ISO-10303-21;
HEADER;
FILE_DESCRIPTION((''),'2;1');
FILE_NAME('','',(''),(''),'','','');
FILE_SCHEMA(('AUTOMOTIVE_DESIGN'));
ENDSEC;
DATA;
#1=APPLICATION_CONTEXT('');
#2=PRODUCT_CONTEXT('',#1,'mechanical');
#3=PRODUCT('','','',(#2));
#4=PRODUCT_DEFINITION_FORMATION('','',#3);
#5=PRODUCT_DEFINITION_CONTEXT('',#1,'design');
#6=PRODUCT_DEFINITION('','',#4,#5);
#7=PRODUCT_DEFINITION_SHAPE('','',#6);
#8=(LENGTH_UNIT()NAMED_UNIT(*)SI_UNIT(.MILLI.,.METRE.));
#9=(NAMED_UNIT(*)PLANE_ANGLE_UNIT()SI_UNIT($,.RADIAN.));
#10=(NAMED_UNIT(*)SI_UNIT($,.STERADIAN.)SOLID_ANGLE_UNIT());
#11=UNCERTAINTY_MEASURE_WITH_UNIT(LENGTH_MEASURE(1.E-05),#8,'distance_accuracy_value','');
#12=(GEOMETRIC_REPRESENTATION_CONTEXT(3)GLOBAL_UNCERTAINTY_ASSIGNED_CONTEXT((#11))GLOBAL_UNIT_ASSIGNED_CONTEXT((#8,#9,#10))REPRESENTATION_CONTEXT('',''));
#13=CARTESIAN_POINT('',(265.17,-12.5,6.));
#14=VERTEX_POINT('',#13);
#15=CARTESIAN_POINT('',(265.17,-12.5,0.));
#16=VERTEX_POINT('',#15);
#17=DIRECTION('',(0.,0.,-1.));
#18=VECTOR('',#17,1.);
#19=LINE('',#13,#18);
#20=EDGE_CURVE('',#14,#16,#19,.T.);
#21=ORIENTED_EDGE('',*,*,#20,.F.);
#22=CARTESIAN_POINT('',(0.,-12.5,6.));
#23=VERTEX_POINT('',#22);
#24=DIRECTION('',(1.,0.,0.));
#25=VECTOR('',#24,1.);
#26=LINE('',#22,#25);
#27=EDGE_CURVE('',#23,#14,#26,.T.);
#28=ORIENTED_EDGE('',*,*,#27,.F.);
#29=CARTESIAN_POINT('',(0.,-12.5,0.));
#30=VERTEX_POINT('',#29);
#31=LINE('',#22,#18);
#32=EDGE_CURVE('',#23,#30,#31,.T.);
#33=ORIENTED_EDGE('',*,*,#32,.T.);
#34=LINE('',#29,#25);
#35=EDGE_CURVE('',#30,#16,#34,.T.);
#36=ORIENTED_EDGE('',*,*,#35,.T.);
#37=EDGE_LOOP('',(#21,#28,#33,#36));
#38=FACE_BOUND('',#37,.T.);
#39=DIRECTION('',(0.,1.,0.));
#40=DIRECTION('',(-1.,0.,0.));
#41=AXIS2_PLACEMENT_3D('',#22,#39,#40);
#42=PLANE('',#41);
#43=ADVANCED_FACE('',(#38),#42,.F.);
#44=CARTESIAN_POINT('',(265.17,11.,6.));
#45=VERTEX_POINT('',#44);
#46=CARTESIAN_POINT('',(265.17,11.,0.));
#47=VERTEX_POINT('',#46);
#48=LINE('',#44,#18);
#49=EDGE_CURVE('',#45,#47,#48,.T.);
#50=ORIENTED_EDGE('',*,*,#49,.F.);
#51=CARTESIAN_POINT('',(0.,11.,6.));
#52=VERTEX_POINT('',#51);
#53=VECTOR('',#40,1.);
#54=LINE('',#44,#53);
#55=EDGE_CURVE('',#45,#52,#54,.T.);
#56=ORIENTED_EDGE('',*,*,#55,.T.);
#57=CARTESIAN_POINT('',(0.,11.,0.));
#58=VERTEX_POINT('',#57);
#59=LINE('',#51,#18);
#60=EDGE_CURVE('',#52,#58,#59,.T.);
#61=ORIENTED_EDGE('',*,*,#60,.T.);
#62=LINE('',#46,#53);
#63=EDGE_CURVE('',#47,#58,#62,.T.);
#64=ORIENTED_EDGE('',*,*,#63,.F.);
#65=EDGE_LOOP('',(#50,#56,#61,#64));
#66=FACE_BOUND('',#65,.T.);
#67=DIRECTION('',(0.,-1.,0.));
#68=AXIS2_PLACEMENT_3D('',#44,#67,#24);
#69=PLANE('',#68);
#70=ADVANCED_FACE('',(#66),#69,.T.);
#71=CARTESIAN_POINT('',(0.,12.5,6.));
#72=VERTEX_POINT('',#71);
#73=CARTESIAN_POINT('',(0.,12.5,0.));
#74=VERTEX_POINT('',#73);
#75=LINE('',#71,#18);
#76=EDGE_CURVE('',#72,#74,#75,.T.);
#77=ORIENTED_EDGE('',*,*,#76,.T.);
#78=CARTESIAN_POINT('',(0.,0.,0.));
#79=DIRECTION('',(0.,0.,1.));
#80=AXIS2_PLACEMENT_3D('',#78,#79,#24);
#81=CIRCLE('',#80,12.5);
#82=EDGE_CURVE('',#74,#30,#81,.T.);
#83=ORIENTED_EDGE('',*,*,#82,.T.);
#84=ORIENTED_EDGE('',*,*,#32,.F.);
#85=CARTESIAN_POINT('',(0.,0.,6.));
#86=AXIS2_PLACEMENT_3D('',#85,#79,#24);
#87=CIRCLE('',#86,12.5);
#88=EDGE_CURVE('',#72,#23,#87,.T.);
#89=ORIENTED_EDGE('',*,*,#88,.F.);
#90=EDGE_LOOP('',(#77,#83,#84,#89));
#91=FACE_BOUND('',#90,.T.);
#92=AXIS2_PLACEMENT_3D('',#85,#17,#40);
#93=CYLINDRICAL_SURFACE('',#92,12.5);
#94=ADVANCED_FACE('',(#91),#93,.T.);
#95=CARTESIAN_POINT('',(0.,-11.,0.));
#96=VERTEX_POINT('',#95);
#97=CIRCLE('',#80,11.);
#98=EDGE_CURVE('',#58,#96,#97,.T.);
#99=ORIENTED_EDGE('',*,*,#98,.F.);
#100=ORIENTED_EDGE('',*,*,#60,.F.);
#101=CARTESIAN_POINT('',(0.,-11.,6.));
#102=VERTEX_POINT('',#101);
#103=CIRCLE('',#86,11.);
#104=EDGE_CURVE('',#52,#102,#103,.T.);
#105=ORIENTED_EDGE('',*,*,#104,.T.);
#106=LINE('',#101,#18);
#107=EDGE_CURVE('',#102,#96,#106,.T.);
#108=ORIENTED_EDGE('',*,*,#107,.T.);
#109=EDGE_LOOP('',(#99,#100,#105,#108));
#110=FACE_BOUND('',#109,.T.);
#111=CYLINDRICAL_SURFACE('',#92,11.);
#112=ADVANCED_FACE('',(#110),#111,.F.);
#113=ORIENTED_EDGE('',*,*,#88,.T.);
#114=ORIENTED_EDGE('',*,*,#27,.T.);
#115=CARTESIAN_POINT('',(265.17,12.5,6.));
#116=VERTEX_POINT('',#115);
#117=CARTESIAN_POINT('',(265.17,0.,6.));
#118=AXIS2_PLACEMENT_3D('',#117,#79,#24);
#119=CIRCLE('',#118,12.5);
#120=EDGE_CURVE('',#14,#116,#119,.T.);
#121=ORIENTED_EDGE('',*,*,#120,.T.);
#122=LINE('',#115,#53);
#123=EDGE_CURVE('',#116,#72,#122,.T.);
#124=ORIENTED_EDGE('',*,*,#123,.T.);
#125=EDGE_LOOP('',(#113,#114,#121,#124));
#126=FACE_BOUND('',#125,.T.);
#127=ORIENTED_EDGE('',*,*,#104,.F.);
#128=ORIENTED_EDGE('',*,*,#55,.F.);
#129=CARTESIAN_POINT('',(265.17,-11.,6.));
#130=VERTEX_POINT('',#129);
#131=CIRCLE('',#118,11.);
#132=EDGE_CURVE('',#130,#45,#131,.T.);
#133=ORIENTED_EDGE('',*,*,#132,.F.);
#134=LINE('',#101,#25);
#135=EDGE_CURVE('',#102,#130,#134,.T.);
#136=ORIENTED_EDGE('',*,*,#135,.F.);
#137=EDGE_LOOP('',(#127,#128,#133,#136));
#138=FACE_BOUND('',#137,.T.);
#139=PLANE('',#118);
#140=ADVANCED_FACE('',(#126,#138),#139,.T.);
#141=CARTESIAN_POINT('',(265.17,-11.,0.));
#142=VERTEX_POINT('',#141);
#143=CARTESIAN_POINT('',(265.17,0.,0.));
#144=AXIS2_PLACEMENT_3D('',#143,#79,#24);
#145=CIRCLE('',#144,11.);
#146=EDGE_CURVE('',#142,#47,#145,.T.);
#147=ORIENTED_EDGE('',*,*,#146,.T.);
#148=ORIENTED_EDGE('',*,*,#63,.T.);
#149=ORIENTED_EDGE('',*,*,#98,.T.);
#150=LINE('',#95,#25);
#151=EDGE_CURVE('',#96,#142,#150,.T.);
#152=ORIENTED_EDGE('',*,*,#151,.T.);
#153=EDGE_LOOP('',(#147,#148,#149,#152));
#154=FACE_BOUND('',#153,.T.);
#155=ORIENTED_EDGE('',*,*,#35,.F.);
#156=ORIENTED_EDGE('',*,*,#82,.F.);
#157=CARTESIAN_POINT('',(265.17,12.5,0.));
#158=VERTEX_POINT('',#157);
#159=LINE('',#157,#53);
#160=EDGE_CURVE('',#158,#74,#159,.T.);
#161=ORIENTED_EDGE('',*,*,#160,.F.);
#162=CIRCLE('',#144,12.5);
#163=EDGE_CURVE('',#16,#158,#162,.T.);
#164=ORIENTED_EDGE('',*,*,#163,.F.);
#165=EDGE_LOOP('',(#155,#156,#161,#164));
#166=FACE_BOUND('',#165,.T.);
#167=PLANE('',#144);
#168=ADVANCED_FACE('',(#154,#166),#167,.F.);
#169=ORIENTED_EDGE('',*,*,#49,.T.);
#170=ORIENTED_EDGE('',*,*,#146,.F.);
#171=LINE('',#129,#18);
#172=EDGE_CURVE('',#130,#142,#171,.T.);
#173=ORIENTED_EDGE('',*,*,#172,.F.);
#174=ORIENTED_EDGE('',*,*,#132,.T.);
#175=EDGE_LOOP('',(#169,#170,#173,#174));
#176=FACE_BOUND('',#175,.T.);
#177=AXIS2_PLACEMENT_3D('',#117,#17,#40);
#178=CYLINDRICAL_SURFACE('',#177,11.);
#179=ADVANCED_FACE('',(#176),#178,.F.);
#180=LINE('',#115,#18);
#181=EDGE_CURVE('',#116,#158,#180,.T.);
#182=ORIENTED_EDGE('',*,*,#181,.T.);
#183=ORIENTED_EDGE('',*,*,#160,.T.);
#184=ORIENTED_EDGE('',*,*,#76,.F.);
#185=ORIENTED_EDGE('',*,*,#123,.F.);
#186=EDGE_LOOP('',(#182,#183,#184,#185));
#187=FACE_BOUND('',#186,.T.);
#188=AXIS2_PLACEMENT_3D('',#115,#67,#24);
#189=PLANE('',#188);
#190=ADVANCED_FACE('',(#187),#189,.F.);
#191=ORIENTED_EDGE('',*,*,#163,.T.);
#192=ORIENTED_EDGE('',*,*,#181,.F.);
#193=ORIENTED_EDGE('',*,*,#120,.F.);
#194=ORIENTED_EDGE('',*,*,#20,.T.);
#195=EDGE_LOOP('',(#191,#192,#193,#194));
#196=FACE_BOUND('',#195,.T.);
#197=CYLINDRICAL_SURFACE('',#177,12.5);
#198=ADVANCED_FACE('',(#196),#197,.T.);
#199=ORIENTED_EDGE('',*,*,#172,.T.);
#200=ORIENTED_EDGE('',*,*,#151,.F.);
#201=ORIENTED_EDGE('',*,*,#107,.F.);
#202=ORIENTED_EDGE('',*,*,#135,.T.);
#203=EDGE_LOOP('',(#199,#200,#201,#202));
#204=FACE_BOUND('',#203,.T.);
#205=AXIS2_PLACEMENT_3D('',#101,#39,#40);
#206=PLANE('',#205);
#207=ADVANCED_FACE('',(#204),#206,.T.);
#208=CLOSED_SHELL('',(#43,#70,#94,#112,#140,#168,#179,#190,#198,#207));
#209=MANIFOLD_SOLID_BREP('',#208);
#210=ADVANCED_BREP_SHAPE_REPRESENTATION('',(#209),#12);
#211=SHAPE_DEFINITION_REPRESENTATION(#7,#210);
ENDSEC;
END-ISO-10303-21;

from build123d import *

# Parameters (mm, degrees)
SALIENTE_EXTRUIR1_DEPTH = 6


with BuildPart() as part:
    # Croquis1 → Saliente-Extruir1 (new body)
    with BuildSketch(Plane.XY):
        with BuildLine():
            Line((265.17, 12.5), (0, 12.5))
            ThreePointArc((0, 12.5), (-12.5, 0), (0, -12.5))
            Line((0, -12.5), (265.17, -12.5))
            ThreePointArc((265.17, -12.5), (277.67, 0), (265.17, 12.5))
        make_face()
        with BuildLine():
            Line((0, -11), (265.17, -11))
            ThreePointArc((265.17, -11), (276.17, 0), (265.17, 11))
            Line((265.17, 11), (0, 11))
            ThreePointArc((0, 11), (-11, 0), (0, -11))
        make_face(mode=Mode.SUBTRACT)
    extrude(amount=SALIENTE_EXTRUIR1_DEPTH)


solid = part.part
